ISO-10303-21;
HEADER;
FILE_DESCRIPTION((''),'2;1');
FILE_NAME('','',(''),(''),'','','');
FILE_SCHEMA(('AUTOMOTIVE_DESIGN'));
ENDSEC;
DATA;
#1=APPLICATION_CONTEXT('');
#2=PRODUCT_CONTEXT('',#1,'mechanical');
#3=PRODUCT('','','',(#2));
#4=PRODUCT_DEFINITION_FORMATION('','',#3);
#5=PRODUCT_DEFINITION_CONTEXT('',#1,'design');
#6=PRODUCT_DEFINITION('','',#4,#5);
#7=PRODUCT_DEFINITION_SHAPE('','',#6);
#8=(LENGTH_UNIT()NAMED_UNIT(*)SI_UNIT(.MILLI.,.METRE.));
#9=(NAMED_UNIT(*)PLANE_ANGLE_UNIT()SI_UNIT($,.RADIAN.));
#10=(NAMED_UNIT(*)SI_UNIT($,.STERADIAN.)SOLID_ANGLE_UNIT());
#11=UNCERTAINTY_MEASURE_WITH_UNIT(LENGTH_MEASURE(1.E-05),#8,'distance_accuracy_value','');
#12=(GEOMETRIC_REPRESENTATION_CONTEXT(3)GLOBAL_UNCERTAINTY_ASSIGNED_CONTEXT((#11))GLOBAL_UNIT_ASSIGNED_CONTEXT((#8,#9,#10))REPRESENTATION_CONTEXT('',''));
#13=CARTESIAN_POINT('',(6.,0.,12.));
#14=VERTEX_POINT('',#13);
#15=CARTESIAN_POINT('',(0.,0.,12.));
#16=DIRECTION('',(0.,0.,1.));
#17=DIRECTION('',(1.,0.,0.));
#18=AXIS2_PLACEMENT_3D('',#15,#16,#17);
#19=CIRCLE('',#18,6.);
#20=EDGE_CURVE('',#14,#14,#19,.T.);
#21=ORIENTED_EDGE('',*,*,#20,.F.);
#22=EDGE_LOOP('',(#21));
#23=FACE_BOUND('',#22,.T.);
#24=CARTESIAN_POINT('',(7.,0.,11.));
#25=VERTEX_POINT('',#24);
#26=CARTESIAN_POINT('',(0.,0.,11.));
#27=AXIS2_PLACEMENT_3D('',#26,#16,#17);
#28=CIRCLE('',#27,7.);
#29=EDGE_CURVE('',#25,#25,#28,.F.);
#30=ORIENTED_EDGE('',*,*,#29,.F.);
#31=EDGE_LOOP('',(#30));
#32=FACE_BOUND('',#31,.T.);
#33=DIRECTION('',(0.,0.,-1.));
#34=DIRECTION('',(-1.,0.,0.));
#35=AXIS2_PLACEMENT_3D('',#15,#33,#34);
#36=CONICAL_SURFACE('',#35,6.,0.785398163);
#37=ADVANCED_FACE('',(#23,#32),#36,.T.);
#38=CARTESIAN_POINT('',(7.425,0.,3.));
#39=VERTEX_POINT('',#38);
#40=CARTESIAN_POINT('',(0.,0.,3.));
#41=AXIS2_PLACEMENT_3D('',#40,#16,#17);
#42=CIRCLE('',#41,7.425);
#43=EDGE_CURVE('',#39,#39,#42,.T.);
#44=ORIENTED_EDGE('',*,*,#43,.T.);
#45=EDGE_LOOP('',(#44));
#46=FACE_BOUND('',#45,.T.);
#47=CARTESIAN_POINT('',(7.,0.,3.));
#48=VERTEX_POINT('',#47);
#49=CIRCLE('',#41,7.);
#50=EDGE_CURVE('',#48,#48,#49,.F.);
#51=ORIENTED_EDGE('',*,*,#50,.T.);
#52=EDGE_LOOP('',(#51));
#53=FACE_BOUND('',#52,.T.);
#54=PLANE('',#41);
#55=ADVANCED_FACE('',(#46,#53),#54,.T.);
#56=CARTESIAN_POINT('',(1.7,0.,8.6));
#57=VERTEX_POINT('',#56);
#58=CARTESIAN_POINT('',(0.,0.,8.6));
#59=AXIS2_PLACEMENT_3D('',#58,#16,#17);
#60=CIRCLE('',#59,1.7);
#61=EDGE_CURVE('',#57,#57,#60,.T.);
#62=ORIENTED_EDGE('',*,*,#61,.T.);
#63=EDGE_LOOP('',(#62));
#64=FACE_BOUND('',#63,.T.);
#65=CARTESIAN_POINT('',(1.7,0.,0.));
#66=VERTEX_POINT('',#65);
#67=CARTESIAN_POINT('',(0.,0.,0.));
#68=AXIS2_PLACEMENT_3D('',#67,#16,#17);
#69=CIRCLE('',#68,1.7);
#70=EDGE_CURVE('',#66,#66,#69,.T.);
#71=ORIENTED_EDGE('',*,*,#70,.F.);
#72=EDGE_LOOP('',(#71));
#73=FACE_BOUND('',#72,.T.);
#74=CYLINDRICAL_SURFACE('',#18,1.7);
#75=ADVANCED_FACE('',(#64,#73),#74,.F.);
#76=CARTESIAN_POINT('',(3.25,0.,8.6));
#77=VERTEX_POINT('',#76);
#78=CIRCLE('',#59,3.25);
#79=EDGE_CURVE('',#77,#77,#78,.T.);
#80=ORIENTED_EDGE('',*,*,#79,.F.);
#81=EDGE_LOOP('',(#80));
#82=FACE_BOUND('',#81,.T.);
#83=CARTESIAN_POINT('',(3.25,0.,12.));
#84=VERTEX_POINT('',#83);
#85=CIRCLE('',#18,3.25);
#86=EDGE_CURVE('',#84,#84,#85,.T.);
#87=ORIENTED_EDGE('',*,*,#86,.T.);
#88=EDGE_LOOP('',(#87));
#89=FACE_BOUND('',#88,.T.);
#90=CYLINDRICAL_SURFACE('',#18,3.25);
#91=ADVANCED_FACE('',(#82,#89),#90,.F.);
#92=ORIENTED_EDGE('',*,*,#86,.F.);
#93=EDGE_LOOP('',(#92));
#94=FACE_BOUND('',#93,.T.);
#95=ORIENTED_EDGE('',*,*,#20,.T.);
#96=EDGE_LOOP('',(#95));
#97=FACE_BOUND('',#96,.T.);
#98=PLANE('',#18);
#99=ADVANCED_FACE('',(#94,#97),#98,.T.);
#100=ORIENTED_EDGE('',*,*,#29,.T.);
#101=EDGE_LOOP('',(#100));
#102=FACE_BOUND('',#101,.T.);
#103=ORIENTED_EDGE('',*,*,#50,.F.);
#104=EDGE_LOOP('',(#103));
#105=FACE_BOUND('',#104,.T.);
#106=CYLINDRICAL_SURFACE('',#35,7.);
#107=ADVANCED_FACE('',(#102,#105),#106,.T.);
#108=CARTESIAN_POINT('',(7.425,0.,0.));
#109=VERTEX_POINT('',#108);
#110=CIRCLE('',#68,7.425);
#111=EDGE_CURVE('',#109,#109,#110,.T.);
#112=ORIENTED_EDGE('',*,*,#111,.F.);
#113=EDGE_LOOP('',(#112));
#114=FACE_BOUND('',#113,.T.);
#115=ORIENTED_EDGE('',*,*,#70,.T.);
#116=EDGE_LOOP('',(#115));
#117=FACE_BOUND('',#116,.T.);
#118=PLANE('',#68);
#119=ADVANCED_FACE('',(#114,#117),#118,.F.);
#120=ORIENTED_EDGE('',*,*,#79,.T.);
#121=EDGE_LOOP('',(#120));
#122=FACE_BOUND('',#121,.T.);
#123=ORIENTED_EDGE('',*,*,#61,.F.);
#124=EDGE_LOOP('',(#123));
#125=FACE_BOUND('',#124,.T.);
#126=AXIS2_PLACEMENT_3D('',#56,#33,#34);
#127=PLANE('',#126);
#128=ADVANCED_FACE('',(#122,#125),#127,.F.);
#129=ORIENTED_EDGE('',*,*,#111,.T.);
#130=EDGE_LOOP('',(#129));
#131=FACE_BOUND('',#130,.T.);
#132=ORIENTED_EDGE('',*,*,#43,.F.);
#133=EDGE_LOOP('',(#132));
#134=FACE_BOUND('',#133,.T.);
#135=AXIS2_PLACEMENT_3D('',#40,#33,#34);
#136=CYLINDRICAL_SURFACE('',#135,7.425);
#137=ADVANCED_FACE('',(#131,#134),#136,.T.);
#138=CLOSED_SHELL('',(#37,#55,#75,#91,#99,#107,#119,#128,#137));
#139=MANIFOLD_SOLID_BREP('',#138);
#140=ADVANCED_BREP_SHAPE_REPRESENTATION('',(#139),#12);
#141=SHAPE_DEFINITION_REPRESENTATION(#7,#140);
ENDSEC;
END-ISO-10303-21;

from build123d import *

# Parameters (mm, degrees)
SKETCH_1_R                   = 7.425
EXTRUDE_1_DEPTH              = 3
SKETCH_2_R                   = 7
EXTRUDE_2_DEPTH              = 12
HOLE_WIZARD_M3_1_D           = 3.4
HOLE_WIZARD_M3_1_CBORE_D     = 6.5
HOLE_WIZARD_M3_1_CBORE_DEPTH = 3.4
CHAMFER_1_SIZE               = 1


with BuildPart() as part:
    # 草图1 → 凸台-拉伸1 (new body)
    with BuildSketch(Plane.XY):
        Circle(SKETCH_1_R)
    extrude(amount=EXTRUDE_1_DEPTH)

    # 草图2 → 凸台-拉伸2 (add)
    with BuildSketch(Plane.XY):
        Circle(SKETCH_2_R)
    extrude(amount=EXTRUDE_2_DEPTH)

    # M3 六角凹头螺钉的柱形沉头孔1 (through all)
    with Locations(Plane(origin=(0, 0, 12), x_dir=(-1, 0, 0), z_dir=(0, 0, 1))):
        with Locations((0, 0)):
            CounterBoreHole(HOLE_WIZARD_M3_1_D / 2, HOLE_WIZARD_M3_1_CBORE_D / 2, HOLE_WIZARD_M3_1_CBORE_DEPTH)

    # 倒角1
    chamfer_1_edges = [part.edges().sort_by_distance(p)[0] for p in [
        (-7, 0, 12),
    ]]
    chamfer(chamfer_1_edges, length=CHAMFER_1_SIZE)


solid = part.part
